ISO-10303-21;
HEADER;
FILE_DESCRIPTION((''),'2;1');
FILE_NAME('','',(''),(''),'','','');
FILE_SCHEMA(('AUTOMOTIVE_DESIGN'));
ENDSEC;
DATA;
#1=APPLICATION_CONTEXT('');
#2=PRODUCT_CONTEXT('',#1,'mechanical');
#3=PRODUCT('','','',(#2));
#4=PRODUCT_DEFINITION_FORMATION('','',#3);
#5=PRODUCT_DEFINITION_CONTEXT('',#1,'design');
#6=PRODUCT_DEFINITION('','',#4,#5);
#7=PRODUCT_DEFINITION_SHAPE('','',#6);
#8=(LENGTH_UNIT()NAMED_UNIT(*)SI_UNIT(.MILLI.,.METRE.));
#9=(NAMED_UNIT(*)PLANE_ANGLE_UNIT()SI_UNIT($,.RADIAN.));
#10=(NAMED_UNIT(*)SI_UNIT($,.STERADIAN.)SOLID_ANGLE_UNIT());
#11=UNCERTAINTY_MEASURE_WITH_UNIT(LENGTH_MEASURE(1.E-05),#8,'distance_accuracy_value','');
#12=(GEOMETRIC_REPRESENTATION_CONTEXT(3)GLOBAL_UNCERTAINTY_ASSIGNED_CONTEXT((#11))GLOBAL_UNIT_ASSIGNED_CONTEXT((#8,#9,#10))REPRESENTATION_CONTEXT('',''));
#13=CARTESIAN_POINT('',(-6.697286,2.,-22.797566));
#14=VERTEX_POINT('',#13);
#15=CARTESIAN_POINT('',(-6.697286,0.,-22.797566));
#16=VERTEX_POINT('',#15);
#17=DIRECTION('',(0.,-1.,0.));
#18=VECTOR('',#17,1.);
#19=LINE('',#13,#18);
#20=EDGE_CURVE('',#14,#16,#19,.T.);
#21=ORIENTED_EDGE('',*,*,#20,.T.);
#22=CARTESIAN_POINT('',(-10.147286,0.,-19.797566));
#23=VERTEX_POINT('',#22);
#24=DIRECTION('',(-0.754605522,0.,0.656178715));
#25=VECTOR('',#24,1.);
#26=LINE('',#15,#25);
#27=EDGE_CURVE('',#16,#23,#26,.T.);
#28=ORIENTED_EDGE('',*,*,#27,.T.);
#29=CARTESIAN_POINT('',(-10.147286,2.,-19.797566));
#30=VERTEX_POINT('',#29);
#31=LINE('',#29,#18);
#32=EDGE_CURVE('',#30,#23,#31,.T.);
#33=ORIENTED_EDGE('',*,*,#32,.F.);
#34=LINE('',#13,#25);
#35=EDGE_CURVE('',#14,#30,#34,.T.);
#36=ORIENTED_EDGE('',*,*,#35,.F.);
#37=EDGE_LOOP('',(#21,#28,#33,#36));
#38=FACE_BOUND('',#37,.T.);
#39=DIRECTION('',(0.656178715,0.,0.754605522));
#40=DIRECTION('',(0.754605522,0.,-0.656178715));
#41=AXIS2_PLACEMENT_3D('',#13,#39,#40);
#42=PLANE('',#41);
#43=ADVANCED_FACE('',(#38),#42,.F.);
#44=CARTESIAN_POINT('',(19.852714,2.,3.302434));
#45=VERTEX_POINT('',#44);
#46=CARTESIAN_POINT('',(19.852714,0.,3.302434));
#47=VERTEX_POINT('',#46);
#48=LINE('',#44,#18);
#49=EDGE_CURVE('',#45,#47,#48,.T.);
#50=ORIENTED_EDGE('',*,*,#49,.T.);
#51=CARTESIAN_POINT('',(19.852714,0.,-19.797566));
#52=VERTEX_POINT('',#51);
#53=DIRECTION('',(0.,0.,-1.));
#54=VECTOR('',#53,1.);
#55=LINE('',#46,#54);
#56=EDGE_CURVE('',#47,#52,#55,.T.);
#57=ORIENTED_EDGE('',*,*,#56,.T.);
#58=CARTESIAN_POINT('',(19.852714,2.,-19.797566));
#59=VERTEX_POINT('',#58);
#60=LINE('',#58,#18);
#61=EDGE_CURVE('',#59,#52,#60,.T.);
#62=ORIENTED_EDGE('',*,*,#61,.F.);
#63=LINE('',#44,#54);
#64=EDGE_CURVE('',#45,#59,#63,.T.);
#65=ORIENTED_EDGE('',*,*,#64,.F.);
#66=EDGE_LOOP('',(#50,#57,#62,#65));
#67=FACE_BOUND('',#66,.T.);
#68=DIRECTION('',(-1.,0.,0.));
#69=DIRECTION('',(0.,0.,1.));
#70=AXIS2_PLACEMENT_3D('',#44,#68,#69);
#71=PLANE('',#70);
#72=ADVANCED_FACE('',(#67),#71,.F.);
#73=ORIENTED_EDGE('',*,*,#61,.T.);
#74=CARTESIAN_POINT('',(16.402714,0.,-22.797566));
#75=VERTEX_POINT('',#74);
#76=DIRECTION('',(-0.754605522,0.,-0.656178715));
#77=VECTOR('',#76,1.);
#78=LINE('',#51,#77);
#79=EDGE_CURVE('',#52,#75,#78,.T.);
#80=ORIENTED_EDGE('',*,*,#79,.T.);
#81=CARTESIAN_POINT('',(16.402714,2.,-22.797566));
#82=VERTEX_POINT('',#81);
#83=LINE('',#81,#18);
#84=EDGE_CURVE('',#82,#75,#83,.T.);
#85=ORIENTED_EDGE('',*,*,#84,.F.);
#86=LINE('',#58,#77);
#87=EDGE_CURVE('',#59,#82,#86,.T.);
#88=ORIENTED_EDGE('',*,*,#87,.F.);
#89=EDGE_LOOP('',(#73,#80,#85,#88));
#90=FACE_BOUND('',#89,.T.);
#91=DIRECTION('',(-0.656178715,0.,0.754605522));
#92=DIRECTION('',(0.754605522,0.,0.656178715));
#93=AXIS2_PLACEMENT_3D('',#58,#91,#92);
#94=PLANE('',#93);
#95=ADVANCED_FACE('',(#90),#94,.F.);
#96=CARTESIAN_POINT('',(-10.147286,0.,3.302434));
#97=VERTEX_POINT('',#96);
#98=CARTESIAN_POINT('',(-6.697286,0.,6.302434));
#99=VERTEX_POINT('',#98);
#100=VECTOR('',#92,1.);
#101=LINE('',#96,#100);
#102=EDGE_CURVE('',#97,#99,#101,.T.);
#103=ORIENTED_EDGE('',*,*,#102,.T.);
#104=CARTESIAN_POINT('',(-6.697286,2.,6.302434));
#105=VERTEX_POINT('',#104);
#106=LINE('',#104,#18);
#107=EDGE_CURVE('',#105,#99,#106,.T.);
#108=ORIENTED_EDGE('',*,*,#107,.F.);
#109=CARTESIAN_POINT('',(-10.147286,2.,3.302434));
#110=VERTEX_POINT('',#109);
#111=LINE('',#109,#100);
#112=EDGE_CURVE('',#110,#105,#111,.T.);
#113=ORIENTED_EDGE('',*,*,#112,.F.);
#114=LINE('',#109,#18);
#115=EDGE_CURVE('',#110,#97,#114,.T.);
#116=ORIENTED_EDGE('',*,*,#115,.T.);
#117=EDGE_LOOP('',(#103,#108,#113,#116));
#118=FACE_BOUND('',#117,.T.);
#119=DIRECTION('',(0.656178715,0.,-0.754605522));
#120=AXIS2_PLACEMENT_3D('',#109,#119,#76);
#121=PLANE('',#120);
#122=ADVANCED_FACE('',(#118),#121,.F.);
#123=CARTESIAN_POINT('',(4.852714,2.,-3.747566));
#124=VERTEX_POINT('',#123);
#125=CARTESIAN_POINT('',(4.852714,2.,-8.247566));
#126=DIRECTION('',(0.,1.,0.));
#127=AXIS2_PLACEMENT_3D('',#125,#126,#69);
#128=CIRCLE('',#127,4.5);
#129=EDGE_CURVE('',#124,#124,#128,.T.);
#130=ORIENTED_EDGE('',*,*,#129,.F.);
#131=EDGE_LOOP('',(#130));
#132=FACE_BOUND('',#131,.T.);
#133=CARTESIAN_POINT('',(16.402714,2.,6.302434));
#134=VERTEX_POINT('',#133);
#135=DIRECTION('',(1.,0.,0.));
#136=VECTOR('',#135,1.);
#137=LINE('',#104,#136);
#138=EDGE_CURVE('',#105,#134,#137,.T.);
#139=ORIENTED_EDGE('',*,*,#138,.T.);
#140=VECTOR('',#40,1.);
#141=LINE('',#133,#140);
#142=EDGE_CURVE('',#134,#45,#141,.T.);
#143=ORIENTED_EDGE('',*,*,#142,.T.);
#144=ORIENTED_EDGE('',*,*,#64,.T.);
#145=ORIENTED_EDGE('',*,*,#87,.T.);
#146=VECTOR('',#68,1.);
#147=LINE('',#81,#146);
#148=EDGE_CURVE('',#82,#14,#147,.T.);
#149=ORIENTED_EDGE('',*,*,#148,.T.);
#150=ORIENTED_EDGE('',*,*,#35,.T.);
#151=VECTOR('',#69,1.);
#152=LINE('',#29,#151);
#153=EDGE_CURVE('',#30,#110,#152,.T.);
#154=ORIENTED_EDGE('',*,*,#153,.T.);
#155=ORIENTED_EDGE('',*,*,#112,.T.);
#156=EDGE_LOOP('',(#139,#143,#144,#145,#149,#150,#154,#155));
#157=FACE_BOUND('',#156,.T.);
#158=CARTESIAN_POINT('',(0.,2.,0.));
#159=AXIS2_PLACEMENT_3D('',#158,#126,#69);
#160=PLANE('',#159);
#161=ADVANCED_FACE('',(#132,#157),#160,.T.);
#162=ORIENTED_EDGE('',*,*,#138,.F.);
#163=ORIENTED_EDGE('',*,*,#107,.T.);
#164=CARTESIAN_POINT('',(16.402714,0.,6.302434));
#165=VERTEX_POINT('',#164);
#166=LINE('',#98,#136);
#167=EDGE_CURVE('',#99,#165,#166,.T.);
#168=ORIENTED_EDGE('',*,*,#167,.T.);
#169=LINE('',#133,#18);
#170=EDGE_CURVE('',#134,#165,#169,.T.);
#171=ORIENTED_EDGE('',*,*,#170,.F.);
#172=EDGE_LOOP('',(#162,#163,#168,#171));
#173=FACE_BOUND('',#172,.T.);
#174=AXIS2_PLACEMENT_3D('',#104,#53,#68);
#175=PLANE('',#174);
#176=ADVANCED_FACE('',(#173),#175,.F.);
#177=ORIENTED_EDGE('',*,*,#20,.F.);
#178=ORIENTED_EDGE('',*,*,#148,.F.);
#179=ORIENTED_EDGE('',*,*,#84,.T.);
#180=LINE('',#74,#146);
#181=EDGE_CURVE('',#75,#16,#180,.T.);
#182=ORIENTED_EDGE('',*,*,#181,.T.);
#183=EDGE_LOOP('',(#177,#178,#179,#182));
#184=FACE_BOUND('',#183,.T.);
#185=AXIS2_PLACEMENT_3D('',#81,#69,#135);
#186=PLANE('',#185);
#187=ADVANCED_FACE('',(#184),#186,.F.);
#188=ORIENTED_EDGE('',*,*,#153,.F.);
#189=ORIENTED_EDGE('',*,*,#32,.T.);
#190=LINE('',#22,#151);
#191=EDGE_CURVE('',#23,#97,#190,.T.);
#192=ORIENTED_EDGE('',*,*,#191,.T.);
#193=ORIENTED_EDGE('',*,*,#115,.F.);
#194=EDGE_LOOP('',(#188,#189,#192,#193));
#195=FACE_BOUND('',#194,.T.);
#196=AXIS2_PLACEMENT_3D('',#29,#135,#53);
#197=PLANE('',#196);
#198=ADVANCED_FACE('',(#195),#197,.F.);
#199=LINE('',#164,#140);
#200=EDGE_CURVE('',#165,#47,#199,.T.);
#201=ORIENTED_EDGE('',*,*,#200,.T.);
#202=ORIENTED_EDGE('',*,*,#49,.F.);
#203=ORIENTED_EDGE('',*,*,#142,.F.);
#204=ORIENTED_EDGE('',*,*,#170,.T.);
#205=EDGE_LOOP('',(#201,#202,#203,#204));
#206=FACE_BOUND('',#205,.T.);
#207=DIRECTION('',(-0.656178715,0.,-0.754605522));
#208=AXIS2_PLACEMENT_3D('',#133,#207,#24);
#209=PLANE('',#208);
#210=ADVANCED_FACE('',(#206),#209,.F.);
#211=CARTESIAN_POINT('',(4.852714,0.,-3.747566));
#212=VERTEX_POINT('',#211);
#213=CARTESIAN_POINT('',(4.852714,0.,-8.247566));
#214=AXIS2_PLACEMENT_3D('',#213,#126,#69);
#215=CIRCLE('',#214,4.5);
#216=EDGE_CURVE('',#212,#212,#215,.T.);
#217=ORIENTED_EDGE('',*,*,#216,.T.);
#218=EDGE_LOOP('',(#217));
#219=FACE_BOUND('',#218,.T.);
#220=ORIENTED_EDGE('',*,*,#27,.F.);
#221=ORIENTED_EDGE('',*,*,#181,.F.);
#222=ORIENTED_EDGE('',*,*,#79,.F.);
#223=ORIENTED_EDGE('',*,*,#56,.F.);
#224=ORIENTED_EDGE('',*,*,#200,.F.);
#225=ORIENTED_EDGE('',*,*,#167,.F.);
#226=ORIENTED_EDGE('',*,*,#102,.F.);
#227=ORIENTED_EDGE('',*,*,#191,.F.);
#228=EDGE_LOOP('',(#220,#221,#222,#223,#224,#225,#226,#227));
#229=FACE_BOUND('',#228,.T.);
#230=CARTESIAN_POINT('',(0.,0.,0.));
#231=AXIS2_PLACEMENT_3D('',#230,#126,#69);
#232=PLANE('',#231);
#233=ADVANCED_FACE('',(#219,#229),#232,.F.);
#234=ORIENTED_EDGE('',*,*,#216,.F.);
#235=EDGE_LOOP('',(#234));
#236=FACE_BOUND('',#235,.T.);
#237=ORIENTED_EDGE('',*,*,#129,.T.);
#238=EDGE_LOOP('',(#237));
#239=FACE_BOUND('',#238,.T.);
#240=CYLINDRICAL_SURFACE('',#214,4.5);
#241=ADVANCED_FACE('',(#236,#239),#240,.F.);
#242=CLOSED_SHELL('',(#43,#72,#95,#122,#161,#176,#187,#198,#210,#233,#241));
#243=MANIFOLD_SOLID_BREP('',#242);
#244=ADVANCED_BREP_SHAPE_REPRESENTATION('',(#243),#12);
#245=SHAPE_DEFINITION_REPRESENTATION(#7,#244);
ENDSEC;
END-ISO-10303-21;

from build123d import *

# Parameters (mm, degrees)
BOSS_EXTRUDE1_DEPTH = 2
SKETCH2_R           = 4.5
CUT_EXTRUDE1_DEPTH  = 31.296192101


with BuildPart() as part:
    # Sketch1 → Boss-Extrude1 (new body)
    with BuildSketch(Plane(origin=(0, 0, 0), x_dir=(1, 0, 0), z_dir=(0, 1, 0))):
        Polygon((-10.147286186, 19.79756588), (-10.147286186, -3.30243412), (-6.697286186, -6.30243412), (16.402713814, -6.30243412), (19.852713814, -3.30243412), (19.852713814, 19.79756588), (16.402713814, 22.79756588), (-6.697286186, 22.79756588), align=None)
    extrude(amount=BOSS_EXTRUDE1_DEPTH)

    # Sketch2 → Cut-Extrude1 (cut, through all)
    with BuildSketch(Plane(origin=(0, 2, 0), x_dir=(1, 0, 0), z_dir=(0, 1, 0))):
        with Locations(Location((4.852713814, 8.24756588, 0), (0, 0, 270))):
            Circle(SKETCH2_R)
    extrude(amount=-CUT_EXTRUDE1_DEPTH, mode=Mode.SUBTRACT)


solid = part.part
